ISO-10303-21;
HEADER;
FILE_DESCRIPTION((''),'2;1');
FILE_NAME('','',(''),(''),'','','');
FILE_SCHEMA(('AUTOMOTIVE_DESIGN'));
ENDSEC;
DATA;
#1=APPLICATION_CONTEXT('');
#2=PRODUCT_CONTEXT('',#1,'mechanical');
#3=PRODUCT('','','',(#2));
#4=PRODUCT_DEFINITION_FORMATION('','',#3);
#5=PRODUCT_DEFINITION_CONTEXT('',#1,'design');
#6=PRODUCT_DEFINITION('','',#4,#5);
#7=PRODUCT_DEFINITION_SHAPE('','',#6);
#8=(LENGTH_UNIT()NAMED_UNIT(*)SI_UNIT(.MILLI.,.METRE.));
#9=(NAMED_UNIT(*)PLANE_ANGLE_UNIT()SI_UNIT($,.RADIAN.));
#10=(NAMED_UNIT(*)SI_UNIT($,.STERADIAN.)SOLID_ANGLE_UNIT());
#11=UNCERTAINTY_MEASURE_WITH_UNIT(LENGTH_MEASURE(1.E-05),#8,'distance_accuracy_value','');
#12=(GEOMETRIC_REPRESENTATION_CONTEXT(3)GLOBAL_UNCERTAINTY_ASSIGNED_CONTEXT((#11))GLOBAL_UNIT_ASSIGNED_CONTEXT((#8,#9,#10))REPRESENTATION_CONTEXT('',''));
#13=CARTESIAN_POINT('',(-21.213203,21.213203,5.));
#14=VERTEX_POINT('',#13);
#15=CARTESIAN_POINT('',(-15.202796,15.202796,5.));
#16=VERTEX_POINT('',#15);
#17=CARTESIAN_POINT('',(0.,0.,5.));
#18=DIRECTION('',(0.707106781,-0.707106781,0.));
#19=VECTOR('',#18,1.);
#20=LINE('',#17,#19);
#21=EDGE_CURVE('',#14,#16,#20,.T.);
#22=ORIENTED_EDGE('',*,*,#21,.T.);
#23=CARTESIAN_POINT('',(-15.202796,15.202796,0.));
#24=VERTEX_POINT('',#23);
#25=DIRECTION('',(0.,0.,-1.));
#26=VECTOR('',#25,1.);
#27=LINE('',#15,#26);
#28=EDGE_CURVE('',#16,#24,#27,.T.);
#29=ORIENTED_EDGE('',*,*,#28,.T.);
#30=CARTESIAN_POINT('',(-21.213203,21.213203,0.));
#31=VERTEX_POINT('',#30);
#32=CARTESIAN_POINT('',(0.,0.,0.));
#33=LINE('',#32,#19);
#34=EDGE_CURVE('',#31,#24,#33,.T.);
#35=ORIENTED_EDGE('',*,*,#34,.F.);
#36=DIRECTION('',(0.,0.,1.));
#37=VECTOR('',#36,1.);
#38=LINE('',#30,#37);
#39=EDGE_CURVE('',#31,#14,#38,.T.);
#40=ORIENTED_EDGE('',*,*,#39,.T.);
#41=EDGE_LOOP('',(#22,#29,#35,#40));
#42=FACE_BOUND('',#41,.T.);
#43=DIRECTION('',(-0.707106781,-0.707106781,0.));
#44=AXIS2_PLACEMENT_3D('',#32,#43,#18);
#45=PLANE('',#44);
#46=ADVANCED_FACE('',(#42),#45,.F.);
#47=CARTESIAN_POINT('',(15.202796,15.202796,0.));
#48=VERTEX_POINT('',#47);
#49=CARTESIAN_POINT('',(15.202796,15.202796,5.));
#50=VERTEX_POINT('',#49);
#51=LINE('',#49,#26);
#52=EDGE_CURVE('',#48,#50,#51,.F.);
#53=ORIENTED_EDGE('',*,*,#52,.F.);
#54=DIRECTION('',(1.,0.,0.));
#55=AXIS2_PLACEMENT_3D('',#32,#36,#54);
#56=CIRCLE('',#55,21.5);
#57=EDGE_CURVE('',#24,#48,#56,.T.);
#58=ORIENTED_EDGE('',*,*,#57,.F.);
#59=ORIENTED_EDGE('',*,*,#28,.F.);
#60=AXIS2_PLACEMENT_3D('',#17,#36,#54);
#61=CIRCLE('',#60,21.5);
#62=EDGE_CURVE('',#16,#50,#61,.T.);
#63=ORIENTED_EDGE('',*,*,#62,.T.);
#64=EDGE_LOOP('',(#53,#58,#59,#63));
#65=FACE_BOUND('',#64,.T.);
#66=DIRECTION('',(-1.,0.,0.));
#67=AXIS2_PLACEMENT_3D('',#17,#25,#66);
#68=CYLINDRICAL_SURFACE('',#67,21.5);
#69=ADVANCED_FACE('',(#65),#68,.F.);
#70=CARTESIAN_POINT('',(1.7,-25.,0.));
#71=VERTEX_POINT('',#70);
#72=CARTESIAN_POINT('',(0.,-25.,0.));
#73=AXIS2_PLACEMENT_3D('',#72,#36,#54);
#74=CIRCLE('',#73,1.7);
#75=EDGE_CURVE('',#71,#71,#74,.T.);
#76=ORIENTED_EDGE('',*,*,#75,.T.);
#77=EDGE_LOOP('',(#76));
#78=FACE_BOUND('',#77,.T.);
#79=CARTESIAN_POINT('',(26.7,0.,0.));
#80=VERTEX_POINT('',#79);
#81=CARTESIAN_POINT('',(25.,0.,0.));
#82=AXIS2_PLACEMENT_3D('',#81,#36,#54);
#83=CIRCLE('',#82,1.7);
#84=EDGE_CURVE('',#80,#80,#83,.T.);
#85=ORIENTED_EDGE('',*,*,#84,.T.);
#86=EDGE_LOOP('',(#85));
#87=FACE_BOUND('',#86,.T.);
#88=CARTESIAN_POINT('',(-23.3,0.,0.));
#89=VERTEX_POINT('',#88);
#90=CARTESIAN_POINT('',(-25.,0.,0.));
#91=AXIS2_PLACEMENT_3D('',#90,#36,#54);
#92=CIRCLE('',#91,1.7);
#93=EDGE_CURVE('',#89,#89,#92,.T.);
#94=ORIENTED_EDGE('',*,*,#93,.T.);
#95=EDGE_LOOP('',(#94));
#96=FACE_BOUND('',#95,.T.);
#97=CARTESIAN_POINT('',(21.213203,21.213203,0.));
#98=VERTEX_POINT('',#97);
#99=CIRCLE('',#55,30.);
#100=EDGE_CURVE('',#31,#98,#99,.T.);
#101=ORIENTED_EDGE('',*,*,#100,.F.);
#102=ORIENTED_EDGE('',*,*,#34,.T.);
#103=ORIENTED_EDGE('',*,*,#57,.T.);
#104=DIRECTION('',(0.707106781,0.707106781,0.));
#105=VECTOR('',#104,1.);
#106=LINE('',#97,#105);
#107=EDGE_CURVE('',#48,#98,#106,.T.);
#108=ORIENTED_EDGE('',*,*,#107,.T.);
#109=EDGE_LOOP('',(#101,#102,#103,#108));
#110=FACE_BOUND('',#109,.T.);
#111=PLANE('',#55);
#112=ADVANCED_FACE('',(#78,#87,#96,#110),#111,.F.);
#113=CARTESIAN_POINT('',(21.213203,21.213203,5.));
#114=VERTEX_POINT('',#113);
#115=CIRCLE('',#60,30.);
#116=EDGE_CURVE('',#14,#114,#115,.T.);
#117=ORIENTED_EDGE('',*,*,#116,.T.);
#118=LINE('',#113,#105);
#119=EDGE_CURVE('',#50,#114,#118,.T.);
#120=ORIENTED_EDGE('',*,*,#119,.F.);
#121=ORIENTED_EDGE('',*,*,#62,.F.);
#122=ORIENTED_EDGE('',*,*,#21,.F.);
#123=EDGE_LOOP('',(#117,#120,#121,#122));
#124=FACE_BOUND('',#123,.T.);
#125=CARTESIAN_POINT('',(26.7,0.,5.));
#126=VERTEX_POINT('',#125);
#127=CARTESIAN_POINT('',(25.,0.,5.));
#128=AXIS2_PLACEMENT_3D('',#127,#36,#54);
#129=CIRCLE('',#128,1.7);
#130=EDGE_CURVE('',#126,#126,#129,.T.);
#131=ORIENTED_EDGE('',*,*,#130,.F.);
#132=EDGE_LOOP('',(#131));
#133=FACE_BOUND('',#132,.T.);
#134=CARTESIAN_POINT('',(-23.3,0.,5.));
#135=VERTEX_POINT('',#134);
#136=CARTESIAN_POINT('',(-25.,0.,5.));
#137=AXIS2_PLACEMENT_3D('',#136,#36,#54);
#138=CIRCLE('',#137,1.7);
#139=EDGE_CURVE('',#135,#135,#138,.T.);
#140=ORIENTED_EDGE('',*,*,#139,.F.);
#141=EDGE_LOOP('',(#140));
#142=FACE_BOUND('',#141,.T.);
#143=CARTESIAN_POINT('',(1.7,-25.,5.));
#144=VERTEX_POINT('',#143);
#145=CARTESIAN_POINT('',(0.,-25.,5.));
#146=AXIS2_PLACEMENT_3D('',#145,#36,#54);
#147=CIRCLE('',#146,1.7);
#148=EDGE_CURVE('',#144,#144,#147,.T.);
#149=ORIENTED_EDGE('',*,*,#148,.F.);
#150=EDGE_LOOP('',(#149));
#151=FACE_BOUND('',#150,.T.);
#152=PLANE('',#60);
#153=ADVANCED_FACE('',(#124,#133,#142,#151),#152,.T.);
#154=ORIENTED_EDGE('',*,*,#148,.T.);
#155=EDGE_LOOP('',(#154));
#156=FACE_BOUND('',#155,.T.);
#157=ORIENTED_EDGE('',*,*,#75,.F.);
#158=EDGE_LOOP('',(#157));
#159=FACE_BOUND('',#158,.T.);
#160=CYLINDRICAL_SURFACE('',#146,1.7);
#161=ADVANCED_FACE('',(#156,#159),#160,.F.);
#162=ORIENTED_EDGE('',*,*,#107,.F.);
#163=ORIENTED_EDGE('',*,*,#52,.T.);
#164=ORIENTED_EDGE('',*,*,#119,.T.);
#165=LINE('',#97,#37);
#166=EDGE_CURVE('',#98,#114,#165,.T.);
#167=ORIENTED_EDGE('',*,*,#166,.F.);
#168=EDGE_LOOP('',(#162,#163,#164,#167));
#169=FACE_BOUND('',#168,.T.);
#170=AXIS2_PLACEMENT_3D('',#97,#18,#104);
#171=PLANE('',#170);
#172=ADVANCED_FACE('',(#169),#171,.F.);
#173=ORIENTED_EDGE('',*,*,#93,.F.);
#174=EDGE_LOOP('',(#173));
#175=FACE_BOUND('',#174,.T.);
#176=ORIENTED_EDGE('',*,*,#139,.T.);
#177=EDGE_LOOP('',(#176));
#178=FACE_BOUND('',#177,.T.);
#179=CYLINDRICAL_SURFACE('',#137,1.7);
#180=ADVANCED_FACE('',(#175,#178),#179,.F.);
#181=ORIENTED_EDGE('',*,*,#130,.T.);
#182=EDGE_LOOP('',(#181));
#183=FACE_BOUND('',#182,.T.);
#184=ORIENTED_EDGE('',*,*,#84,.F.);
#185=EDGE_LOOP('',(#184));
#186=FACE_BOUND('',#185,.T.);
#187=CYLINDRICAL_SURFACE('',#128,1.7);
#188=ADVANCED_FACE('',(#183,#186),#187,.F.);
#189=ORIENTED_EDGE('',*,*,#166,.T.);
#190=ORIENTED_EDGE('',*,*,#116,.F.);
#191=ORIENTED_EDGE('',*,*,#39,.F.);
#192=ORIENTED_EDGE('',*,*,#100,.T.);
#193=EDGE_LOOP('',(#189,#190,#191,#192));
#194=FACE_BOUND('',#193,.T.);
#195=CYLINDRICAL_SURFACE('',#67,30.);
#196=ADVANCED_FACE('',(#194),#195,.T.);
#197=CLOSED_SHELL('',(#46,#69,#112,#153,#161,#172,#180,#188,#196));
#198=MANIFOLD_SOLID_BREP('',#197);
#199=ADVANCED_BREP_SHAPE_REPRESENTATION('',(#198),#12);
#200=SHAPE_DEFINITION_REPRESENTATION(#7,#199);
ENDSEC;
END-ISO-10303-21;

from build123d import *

# Parameters (mm, degrees)
SKETCH_1_R              = 30
SKETCH_1_R_2            = 21.5
EXTRUDE_1_DEPTH         = 5
HOLE_WIZARD_3_4_3_4_1_D = 3.4
CUT_EXTRUDE_1_DEPTH     = 43.720018727


with BuildPart() as part:
    # 草图1 → 凸台-拉伸1 (new body)
    with BuildSketch(Plane.XY):
        Circle(SKETCH_1_R)
        Circle(SKETCH_1_R_2, mode=Mode.SUBTRACT)
    extrude(amount=EXTRUDE_1_DEPTH)

    # Ø3.4 (3.4) 直径孔1 (through all)
    with Locations(Plane(origin=(-25, 0, 5), x_dir=(1, 0, 0), z_dir=(0, 0, 1))):
        with Locations((0, 0), (25, 25), (25, -25), (50, 0)):
            Hole(HOLE_WIZARD_3_4_3_4_1_D / 2)

    # 草图4 → 切除-拉伸1 (cut, through all)
    with BuildSketch(Plane.XY.offset(5)):
        with BuildLine():
            Line((0, 0), (-21.213203436, 21.213203436))
            ThreePointArc((-21.213203436, 21.213203436), (0, 30), (21.213203436, 21.213203436))
            Line((21.213203436, 21.213203436), (0, 0))
        make_face()
    extrude(amount=-CUT_EXTRUDE_1_DEPTH, mode=Mode.SUBTRACT)


solid = part.part
